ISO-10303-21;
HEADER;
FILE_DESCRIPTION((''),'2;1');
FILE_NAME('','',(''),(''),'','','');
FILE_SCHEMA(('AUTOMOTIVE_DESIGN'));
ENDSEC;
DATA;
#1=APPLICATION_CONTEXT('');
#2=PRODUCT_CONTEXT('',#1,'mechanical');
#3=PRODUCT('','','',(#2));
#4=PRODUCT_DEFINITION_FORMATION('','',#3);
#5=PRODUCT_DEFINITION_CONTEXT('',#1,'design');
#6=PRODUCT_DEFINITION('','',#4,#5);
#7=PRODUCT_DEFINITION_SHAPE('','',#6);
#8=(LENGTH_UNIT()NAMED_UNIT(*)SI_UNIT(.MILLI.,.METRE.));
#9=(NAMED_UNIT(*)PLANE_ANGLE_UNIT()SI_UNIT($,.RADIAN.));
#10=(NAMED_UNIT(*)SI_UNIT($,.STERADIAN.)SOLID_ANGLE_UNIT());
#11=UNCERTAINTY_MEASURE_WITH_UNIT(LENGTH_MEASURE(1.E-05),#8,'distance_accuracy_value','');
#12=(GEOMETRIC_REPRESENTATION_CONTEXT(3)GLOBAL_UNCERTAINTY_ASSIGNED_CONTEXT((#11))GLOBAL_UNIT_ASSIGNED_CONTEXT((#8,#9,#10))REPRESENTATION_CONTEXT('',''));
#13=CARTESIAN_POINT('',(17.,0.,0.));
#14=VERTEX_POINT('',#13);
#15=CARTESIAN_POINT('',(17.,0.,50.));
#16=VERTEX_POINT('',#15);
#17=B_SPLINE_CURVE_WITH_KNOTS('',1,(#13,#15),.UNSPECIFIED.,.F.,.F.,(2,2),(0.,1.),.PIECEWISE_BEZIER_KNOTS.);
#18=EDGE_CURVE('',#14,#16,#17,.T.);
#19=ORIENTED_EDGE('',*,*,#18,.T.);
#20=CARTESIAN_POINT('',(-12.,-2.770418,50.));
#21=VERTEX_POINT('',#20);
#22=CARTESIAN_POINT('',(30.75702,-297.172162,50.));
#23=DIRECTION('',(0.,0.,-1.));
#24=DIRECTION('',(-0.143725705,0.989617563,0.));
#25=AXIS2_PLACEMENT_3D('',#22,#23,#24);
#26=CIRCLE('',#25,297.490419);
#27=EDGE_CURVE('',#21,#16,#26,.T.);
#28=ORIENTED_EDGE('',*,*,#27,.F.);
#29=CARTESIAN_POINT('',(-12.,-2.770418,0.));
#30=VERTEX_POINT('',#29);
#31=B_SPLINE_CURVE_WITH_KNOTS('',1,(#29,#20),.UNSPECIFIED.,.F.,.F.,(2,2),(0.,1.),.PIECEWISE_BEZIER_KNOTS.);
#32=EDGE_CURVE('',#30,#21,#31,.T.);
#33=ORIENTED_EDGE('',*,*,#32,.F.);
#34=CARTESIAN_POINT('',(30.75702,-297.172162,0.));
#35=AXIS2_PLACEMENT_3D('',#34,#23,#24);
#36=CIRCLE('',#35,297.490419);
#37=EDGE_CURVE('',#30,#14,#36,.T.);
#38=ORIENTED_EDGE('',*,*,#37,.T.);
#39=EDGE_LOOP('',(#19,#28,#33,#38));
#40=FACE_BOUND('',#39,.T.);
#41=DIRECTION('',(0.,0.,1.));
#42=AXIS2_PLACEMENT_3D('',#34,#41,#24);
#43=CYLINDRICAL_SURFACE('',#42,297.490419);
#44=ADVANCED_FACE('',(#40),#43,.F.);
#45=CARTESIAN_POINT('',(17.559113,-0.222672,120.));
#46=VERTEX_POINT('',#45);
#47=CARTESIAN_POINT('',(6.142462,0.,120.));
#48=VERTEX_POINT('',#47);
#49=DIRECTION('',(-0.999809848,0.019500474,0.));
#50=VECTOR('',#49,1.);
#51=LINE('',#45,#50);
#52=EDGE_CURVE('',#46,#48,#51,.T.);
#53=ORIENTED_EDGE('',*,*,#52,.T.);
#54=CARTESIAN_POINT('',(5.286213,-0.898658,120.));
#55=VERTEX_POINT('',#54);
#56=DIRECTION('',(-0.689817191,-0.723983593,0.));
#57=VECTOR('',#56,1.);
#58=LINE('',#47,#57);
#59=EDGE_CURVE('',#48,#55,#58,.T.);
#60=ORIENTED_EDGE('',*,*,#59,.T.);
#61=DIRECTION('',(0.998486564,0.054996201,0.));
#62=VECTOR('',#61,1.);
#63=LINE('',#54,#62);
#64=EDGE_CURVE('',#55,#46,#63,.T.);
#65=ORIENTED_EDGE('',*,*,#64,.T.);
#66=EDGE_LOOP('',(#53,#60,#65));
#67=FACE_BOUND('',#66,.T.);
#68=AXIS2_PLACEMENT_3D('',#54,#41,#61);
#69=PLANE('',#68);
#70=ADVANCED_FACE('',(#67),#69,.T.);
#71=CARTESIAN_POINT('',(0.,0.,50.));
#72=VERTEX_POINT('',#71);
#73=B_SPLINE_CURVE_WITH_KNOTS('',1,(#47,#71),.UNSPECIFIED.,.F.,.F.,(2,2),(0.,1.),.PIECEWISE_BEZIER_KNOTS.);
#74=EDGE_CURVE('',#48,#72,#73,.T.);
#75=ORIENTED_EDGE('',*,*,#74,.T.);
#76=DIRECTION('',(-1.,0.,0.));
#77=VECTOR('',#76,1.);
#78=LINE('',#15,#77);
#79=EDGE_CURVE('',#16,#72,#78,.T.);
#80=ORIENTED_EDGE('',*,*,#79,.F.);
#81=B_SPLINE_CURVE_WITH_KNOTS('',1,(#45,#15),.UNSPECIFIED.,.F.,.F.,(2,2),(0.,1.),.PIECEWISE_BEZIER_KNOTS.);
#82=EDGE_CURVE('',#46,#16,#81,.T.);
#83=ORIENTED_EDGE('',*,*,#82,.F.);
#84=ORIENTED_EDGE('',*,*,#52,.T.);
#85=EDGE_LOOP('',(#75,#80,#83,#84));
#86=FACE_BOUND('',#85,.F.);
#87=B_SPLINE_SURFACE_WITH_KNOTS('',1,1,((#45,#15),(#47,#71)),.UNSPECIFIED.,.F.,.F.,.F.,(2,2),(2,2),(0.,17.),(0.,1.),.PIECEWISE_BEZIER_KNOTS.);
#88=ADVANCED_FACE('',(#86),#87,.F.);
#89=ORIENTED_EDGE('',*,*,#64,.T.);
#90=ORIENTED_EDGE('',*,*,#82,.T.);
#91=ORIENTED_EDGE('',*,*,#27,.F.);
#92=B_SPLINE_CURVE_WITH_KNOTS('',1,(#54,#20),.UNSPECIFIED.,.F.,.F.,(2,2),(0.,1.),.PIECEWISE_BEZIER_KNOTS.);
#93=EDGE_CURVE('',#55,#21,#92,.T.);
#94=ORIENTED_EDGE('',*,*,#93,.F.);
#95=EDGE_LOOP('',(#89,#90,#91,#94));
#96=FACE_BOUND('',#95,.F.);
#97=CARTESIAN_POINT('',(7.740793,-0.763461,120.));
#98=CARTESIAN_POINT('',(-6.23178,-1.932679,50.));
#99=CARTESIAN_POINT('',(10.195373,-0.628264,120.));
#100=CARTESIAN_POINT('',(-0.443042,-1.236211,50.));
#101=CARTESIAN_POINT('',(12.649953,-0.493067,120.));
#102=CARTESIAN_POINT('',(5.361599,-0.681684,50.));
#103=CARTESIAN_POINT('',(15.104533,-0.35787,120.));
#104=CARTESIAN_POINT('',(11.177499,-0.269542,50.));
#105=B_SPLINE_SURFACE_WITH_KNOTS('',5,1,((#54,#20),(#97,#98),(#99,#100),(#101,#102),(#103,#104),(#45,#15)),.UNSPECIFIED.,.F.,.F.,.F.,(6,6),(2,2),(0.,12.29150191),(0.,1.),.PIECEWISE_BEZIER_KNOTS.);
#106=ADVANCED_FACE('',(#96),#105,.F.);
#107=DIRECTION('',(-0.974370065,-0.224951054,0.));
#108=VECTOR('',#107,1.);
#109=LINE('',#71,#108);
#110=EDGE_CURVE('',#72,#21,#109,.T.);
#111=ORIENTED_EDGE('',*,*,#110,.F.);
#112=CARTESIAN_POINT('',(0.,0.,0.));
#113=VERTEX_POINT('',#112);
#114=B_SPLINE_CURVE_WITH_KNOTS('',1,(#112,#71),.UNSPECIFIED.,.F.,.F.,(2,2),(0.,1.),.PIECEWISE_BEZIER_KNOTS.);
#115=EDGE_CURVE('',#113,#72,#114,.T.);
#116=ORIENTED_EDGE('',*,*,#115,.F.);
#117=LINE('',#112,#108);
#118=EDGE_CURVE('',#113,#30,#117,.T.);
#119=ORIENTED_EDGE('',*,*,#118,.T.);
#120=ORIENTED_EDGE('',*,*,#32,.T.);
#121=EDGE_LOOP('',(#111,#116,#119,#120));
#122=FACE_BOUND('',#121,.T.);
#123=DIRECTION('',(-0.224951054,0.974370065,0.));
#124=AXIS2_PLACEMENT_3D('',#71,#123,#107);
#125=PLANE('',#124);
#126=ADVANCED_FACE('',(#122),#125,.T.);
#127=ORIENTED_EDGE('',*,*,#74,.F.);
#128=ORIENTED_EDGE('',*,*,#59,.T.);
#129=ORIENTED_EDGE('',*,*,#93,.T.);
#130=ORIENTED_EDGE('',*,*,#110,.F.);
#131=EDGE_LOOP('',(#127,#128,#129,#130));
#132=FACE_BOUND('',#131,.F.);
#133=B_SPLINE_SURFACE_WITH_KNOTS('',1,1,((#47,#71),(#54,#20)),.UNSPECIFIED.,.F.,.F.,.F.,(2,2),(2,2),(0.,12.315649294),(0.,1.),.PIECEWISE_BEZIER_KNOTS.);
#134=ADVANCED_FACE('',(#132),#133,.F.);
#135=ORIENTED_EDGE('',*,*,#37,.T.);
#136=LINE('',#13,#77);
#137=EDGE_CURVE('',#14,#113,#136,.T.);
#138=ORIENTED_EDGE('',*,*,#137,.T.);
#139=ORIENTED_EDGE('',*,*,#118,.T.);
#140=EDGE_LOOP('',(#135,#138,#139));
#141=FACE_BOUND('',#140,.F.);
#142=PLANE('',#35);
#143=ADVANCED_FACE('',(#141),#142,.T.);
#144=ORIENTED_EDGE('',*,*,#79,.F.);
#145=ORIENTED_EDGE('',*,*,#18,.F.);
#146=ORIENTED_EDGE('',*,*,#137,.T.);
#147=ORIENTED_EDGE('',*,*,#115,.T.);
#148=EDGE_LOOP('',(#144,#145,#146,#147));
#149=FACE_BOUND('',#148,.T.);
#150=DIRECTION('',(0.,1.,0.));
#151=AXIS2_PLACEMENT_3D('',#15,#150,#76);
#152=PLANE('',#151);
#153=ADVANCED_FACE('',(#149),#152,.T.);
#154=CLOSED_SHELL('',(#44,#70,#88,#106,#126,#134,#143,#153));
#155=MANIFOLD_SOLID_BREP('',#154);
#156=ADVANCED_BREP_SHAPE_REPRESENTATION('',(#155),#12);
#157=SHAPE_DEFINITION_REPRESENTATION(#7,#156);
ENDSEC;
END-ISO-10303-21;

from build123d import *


with BuildPart() as f5:
    # F0 (on Top) → F5 section 0
    with BuildSketch(Plane.XY):
        with BuildLine():
            Line((17, 0), (0, 0))
            Line((0, 0), (-12, -2.7704182935))
            ThreePointArc((-12, -2.7704182935), (2.4660676715, -1.0300145801), (17, 0))
        make_face()
    # F2 (on offset) → F5 section 1
    with BuildSketch(Plane.XY.offset(50)):
        with BuildLine():
            Line((0, 0), (-12, -2.7704182935))
            ThreePointArc((-12, -2.7704182935), (2.4660676715, -1.0300145801), (17, 0))
            Line((17, 0), (0, 0))
        make_face()
    loft()

    # F4 (on offset) → F6 section 0
    with BuildSketch(Plane.XY.offset(120)):
        Polygon((5.2862134762, -0.8986583562), (17.559112981, -0.2226724464), (6.1424621381, 0), align=None)
    # F2 (on offset) → F6 section 1
    with BuildSketch(Plane.XY.offset(50)):
        with BuildLine():
            Line((0, 0), (-12, -2.7704182935))
            ThreePointArc((-12, -2.7704182935), (2.4660676715, -1.0300145801), (17, 0))
            Line((17, 0), (0, 0))
        make_face()
    loft()


solid = f5.part
